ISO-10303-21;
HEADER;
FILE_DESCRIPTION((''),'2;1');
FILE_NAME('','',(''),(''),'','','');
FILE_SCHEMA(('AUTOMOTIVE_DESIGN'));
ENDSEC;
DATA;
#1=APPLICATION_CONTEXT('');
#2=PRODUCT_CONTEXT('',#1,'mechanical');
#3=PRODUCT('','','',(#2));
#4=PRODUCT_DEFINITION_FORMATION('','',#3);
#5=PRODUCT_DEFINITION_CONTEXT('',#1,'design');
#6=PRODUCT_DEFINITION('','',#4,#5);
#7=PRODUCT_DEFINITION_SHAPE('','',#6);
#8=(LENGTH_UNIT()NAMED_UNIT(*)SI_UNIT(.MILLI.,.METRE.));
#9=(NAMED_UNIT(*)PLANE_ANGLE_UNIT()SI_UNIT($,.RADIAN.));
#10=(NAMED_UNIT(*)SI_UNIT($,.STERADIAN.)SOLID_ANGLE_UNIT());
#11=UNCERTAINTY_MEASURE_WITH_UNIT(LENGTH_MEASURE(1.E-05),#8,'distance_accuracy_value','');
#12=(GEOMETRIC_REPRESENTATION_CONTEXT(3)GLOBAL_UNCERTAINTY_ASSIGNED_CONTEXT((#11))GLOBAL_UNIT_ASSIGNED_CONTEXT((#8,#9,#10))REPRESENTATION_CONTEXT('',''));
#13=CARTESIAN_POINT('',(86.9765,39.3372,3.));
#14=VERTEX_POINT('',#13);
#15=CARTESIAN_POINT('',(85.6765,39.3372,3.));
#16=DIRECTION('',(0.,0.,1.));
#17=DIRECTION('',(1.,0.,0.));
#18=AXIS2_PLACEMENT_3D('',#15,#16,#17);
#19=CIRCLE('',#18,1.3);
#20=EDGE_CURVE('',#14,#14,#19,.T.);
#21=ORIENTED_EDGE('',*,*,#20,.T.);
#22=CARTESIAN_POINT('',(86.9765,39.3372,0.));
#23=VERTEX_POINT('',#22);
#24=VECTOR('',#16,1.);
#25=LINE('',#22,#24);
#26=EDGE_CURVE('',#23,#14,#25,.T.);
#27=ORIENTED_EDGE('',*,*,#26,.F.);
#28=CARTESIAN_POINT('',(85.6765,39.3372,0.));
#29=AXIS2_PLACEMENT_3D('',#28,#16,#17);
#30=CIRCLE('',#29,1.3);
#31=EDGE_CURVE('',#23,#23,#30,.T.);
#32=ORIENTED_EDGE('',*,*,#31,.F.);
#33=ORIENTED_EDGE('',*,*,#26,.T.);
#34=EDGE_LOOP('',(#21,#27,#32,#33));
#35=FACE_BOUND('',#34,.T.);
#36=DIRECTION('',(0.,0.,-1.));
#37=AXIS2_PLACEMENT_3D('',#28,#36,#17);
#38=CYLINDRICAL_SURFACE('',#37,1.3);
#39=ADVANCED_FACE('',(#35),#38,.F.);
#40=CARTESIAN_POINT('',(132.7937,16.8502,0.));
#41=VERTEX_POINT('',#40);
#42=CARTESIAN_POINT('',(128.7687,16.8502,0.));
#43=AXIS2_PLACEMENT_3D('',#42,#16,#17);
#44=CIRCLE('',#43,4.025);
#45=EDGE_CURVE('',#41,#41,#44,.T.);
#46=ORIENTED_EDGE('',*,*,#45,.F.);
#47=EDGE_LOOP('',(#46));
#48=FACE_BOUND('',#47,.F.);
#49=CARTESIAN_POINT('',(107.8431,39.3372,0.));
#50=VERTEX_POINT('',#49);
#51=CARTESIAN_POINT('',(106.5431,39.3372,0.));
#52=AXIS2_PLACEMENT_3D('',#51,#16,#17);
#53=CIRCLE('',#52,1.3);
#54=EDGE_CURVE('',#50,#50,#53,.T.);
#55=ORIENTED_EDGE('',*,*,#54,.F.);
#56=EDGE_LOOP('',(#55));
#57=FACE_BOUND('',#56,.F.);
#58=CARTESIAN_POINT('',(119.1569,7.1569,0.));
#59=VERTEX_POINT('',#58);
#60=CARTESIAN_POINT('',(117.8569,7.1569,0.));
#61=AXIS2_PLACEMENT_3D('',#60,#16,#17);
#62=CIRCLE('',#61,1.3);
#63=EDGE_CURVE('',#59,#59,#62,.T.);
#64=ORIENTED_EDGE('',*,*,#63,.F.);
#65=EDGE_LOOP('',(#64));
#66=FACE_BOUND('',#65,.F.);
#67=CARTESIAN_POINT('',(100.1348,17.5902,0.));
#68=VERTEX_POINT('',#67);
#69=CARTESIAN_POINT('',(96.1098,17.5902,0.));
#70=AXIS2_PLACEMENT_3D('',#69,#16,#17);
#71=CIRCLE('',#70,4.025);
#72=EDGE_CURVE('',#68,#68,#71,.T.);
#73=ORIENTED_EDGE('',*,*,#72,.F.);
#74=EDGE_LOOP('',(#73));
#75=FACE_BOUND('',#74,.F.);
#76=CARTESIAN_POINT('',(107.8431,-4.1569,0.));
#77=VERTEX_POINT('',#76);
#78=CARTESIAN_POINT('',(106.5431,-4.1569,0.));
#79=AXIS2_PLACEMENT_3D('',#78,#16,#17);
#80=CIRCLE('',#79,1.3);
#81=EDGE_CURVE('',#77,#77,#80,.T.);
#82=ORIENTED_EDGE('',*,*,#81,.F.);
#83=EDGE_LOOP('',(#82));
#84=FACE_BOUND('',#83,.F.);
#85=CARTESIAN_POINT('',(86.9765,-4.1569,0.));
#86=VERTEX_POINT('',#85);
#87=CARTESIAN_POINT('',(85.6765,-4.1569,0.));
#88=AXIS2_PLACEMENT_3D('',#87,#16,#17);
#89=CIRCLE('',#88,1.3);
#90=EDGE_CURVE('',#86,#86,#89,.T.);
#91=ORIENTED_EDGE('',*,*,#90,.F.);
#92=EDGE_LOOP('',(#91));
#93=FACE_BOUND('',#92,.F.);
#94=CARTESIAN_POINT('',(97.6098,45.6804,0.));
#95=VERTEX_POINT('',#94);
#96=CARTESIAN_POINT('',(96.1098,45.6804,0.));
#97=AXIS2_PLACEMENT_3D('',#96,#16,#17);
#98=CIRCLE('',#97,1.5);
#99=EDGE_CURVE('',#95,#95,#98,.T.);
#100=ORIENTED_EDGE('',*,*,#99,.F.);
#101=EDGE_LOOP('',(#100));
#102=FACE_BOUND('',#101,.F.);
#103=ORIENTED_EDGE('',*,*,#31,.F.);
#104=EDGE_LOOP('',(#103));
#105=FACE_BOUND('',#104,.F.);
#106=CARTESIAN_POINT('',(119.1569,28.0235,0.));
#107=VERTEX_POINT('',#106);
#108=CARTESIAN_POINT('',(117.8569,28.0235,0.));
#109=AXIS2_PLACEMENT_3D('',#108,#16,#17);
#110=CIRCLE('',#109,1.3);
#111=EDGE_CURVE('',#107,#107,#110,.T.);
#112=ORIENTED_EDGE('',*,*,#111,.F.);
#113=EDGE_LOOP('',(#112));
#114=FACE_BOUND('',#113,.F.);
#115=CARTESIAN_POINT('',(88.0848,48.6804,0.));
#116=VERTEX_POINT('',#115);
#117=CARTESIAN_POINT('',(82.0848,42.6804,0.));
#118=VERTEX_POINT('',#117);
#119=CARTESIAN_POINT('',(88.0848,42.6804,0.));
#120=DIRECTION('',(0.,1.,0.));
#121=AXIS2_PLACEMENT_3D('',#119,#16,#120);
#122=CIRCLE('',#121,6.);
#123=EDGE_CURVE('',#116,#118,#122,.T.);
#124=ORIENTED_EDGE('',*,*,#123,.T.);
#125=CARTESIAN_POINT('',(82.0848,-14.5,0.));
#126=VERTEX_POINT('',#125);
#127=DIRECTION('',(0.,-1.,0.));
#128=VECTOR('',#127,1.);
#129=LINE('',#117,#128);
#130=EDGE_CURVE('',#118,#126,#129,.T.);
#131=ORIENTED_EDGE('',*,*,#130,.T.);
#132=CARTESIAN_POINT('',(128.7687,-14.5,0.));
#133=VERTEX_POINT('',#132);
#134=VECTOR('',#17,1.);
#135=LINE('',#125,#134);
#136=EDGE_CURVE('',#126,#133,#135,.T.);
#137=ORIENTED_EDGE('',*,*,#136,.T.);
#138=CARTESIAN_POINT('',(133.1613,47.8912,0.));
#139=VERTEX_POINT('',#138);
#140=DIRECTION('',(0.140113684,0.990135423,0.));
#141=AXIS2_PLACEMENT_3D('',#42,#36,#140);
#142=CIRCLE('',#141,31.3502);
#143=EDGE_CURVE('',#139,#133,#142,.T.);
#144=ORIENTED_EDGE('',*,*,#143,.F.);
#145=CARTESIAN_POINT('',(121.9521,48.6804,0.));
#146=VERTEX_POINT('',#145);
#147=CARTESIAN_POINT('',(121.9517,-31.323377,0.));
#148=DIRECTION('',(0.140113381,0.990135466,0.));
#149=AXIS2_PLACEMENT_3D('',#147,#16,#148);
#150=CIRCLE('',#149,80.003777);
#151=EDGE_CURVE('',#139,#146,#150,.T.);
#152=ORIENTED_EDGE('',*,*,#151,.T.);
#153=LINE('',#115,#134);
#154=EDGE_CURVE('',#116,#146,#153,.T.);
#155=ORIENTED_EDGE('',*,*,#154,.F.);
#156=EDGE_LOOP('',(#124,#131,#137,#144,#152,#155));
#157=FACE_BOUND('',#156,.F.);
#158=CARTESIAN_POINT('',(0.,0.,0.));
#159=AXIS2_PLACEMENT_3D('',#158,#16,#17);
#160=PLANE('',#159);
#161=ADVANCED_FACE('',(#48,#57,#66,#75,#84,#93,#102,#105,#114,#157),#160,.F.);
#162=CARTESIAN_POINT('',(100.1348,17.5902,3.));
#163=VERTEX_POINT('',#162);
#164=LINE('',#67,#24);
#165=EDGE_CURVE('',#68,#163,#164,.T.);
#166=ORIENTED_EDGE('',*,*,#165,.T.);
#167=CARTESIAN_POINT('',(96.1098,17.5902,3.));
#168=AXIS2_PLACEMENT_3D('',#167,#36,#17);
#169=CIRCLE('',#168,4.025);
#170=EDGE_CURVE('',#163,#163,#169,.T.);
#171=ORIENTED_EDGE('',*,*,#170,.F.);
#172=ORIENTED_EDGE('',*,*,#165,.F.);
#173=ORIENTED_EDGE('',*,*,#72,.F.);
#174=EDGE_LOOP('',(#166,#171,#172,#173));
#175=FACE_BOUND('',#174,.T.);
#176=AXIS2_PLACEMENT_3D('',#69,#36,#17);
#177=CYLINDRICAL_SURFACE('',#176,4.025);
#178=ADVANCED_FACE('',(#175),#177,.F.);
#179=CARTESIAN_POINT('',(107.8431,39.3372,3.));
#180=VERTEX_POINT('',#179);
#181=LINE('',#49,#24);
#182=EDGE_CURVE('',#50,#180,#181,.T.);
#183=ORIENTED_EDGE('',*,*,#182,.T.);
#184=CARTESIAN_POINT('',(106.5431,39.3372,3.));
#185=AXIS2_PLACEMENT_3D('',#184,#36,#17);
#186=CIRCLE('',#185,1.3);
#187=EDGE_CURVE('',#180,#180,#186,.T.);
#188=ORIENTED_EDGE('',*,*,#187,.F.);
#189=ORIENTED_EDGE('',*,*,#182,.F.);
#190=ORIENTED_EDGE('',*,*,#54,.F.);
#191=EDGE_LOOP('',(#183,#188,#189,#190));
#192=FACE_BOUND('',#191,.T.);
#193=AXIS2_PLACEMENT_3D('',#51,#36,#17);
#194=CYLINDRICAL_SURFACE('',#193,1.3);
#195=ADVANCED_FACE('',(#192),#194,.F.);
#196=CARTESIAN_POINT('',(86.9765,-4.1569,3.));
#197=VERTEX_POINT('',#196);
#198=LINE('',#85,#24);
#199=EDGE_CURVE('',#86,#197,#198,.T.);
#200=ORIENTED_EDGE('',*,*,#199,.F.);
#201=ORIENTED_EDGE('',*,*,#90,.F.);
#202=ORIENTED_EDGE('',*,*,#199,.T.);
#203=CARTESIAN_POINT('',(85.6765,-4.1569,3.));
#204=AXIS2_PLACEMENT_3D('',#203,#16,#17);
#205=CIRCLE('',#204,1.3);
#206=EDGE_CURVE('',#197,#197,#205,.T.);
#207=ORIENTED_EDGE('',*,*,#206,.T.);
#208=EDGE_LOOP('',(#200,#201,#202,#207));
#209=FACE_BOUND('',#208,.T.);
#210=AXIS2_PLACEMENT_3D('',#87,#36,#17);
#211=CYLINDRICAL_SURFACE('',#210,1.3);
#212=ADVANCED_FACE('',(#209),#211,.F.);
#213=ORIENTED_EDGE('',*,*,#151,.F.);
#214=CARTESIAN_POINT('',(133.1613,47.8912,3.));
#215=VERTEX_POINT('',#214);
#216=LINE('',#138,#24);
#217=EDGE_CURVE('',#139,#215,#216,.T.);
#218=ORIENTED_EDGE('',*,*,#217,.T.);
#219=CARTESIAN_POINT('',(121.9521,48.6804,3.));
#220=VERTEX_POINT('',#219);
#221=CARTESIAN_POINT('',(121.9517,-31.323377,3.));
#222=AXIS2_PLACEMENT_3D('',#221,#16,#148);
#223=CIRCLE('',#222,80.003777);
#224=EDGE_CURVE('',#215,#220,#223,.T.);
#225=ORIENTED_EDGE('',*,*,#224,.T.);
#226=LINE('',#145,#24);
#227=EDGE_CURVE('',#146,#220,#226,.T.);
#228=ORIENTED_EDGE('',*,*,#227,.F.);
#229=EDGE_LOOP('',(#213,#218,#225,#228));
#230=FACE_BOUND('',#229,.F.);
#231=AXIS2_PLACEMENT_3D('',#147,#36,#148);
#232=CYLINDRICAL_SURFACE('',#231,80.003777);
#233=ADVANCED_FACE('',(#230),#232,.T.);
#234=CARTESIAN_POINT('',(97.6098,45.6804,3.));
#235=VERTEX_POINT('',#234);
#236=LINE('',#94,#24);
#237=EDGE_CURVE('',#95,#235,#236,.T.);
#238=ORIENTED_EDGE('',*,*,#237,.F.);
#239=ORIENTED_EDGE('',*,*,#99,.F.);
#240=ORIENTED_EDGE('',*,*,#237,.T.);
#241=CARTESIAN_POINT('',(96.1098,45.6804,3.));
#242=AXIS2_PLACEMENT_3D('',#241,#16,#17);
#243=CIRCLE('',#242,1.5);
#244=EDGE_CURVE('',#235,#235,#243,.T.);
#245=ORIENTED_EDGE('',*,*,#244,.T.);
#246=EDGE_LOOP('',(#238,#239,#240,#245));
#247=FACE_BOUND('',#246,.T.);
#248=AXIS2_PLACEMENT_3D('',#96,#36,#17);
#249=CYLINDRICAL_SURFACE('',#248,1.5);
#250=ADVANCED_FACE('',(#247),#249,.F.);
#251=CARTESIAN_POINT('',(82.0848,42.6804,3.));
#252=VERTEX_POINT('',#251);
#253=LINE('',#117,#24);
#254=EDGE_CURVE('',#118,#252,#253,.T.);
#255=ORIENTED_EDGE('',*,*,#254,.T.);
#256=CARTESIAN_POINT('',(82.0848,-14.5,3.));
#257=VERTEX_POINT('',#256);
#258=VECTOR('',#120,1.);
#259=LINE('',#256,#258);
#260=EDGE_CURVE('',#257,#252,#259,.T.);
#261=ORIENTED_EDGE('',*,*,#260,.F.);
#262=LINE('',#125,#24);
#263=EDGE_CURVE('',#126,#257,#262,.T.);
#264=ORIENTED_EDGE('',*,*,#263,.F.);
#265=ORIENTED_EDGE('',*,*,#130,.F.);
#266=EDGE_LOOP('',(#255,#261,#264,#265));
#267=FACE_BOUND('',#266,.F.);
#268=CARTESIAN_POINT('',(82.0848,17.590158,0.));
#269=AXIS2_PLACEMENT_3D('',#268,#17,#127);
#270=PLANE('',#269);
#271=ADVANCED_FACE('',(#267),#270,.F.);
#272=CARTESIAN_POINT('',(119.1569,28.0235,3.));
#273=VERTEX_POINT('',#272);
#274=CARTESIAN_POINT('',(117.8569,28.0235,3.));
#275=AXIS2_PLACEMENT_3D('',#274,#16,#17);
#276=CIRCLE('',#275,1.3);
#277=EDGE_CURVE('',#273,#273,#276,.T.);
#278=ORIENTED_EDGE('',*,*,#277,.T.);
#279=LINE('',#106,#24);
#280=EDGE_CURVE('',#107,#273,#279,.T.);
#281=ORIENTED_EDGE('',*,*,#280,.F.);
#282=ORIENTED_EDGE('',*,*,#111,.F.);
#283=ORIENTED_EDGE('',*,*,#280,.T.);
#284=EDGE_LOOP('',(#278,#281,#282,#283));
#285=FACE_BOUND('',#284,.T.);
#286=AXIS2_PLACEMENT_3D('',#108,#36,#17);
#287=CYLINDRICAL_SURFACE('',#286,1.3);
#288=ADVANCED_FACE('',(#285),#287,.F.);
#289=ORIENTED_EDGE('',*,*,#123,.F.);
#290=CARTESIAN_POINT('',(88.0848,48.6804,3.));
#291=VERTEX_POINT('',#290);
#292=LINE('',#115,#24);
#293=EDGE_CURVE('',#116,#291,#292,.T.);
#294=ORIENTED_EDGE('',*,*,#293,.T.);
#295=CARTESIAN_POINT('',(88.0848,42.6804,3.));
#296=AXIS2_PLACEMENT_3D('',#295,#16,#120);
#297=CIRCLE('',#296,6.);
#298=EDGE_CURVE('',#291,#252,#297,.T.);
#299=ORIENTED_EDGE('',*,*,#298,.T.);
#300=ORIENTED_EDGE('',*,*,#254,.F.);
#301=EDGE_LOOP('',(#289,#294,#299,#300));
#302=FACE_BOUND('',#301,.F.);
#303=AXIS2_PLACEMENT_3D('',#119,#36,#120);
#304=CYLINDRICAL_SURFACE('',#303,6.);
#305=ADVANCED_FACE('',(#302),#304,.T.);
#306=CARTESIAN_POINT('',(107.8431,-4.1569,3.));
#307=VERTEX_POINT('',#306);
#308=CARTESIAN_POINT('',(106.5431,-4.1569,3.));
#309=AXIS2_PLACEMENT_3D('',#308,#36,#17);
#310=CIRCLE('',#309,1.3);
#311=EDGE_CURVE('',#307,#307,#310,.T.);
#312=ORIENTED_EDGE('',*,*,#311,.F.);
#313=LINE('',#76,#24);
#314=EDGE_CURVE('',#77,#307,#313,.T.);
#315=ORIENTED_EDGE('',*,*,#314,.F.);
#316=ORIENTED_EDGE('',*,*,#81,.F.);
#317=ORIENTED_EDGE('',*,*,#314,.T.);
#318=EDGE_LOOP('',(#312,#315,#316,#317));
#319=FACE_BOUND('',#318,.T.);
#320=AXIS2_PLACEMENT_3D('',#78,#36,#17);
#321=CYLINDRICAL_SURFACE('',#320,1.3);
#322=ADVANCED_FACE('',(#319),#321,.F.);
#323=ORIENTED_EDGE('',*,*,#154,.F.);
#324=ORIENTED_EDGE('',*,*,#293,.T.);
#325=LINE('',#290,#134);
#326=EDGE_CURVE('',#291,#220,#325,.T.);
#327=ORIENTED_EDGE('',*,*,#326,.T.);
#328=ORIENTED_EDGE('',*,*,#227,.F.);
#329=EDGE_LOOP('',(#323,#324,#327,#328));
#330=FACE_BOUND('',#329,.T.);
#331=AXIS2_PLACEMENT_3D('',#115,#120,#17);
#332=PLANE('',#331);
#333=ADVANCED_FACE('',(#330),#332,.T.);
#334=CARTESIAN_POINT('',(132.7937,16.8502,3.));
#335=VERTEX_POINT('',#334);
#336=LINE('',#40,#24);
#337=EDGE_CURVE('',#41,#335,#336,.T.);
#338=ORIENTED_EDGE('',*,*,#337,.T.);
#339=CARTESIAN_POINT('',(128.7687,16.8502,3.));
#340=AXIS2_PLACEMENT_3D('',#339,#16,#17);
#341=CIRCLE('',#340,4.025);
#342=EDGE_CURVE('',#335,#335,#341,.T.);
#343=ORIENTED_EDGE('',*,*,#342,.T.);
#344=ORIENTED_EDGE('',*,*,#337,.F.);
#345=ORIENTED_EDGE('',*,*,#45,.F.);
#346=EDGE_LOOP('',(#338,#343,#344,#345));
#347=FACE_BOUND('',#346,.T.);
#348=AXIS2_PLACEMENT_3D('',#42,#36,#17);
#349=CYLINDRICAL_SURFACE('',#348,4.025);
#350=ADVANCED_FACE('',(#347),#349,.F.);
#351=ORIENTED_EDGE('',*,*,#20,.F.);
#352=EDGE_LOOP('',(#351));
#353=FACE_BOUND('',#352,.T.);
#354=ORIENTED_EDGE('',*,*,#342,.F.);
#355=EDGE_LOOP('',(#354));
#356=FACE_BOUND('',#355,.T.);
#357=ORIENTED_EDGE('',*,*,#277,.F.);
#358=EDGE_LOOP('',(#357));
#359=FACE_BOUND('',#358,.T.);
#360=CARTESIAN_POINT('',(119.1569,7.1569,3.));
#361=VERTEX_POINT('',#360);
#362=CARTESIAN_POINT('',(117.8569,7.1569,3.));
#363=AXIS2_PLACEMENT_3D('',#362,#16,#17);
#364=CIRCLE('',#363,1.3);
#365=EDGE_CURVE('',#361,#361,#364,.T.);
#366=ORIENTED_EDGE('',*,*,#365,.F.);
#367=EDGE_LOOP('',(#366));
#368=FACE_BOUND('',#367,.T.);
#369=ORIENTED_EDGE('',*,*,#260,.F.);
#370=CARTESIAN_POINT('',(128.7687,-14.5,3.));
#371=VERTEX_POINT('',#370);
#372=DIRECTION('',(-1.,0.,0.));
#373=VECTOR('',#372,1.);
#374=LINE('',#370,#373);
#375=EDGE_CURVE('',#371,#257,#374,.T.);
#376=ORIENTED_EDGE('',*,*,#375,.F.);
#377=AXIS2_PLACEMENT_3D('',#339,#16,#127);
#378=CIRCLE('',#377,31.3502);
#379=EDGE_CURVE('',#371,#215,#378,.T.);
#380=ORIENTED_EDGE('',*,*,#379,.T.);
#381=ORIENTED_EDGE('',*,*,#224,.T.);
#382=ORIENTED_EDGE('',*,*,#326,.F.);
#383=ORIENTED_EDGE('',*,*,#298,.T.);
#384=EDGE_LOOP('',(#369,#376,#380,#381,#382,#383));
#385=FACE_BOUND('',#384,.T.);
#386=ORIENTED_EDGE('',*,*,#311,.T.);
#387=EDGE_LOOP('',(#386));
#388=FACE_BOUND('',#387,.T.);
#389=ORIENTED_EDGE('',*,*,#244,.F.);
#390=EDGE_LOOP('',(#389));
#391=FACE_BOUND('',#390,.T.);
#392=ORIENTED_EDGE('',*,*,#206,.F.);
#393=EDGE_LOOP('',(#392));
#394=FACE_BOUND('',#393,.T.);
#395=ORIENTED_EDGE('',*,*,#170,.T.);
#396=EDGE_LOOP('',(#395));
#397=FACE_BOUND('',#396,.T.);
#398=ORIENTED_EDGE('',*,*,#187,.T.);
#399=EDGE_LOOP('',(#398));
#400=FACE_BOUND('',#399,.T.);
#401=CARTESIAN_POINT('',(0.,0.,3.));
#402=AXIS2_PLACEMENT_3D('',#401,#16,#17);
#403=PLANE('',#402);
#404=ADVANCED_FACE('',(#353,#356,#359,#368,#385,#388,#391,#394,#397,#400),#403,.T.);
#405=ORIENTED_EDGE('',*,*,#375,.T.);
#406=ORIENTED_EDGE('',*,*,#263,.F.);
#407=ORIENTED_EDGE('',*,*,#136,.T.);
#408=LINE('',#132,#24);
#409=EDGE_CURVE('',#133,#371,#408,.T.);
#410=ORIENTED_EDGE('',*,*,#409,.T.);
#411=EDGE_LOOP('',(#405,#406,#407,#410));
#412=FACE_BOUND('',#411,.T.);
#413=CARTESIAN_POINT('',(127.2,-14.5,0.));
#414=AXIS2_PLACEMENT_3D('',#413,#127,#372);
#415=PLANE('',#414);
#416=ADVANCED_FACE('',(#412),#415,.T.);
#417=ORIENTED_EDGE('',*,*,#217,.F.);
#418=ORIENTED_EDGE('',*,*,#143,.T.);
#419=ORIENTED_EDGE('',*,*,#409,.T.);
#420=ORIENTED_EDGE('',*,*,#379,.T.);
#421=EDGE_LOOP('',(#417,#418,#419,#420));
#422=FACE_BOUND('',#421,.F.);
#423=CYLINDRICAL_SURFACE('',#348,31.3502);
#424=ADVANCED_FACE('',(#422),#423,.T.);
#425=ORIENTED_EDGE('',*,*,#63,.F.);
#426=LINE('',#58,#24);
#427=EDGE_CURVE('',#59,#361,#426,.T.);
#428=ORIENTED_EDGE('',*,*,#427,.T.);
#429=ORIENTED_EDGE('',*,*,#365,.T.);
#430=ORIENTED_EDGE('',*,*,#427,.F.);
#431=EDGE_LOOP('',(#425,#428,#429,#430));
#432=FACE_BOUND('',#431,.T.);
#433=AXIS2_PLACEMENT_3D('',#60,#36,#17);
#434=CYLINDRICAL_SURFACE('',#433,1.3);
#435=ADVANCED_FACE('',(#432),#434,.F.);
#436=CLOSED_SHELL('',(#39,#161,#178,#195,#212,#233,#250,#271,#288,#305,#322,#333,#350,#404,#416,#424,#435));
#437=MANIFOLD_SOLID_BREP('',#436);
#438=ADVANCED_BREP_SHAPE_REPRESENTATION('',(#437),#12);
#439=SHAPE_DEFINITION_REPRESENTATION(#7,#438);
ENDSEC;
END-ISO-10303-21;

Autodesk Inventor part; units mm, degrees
ref_plane "YZ Plane" through (0, 0, 0) normal (1, 0, 0) x (0, 1, 0)
ref_plane "XZ Plane" through (0, 0, 0) normal (0, 1, 0) x (-1, 0, 0)
ref_plane "XY Plane" through (0, 0, 0) normal (0, 0, 1) x (1, 0, 0)
sketch "スケッチ1" plane through (0, 0, 0) normal (0, 0, 1) x (1, 0, 0)
  circle A0 centre (96.1098, 17.5902) radius 9.025 construction
  circle A1 centre (128.7687, 16.8502) radius 6.025 construction
  line L0 (78.0196, 48.6804) -> (110.2, 48.6804) construction
  line L1 (127.2, -14.5) -> (65.0196, -14.5)
  line L2 (65.0196, -14.5) -> (65.0196, 33.6804) construction
  circle A2 centre (96.1098, 17.5902) radius 5.0587 construction
  circle A3 centre (128.7687, 16.8502) radius 29.3819 construction
  circle A4 centre (128.7687, 16.8502) radius 31.3502
  arc A5 (102.5247, 30.0621) -> (101.9533, 4.8405) centre (96.1098, 17.5902) ccw
  line L3 (88.0848, 48.6804) -> (121.9521, 48.6804)
  arc A6 (133.1613, 47.8912) -> (121.9521, 48.6804) centre (121.9521, -31.3196) ccw
  arc A7 (88.0848, 48.6804) -> (82.0848, 42.6804) centre (88.0848, 42.6804) ccw
  line L4 (82.0848, 42.6804) -> (82.0848, -14.5)
  circle A8 centre (96.1098, 17.5902) radius 4.025
  circle A9 centre (128.7687, 16.8502) radius 4.025
  line L5 (127.2, -14.5) -> (128.7687, -14.5)
  circle A10 centre (68.0196, 17.5902) radius 1.5
  circle A11 centre (96.1098, 45.6804) radius 1.5
  circle A12 centre (74.3628, 28.0235) radius 1.3
  circle A13 centre (85.6765, 39.3372) radius 1.3
  circle A14 centre (106.5431, 39.3372) radius 1.3
  circle A15 centre (117.8569, 28.0235) radius 1.3
  circle A16 centre (117.8569, 7.1569) radius 1.3
  circle A17 centre (106.5431, -4.1569) radius 1.3
  circle A18 centre (85.6765, -4.1569) radius 1.3
  circle A19 centre (74.3628, 7.1569) radius 1.3
  point P0 (0, 0)
  point P1 (0, 0)
  point P2 (80.0196, 33.6804)
  dimension "d0" = 5
  dimension "d1" = 80
  dimension "d2" = 6
  dimension "d3" = 8.05
  dimension "d4" = 8.05
  dimension "d7" = 3
  dimension "d8" = 3
  dimension "d9" = 2.6
  dimension "d10" = 16
extrude "押し出し1" add sketch "スケッチ1" along normal blind 3 contours L1 L4 A5 A4 A17 L5 | A4 A17 A8 A14 | L4 A7 L3 A6 A4 A14 A5 | A5 A4 A8
properties part number "外側フレーム" material "アルミニウム 2014-T4"
